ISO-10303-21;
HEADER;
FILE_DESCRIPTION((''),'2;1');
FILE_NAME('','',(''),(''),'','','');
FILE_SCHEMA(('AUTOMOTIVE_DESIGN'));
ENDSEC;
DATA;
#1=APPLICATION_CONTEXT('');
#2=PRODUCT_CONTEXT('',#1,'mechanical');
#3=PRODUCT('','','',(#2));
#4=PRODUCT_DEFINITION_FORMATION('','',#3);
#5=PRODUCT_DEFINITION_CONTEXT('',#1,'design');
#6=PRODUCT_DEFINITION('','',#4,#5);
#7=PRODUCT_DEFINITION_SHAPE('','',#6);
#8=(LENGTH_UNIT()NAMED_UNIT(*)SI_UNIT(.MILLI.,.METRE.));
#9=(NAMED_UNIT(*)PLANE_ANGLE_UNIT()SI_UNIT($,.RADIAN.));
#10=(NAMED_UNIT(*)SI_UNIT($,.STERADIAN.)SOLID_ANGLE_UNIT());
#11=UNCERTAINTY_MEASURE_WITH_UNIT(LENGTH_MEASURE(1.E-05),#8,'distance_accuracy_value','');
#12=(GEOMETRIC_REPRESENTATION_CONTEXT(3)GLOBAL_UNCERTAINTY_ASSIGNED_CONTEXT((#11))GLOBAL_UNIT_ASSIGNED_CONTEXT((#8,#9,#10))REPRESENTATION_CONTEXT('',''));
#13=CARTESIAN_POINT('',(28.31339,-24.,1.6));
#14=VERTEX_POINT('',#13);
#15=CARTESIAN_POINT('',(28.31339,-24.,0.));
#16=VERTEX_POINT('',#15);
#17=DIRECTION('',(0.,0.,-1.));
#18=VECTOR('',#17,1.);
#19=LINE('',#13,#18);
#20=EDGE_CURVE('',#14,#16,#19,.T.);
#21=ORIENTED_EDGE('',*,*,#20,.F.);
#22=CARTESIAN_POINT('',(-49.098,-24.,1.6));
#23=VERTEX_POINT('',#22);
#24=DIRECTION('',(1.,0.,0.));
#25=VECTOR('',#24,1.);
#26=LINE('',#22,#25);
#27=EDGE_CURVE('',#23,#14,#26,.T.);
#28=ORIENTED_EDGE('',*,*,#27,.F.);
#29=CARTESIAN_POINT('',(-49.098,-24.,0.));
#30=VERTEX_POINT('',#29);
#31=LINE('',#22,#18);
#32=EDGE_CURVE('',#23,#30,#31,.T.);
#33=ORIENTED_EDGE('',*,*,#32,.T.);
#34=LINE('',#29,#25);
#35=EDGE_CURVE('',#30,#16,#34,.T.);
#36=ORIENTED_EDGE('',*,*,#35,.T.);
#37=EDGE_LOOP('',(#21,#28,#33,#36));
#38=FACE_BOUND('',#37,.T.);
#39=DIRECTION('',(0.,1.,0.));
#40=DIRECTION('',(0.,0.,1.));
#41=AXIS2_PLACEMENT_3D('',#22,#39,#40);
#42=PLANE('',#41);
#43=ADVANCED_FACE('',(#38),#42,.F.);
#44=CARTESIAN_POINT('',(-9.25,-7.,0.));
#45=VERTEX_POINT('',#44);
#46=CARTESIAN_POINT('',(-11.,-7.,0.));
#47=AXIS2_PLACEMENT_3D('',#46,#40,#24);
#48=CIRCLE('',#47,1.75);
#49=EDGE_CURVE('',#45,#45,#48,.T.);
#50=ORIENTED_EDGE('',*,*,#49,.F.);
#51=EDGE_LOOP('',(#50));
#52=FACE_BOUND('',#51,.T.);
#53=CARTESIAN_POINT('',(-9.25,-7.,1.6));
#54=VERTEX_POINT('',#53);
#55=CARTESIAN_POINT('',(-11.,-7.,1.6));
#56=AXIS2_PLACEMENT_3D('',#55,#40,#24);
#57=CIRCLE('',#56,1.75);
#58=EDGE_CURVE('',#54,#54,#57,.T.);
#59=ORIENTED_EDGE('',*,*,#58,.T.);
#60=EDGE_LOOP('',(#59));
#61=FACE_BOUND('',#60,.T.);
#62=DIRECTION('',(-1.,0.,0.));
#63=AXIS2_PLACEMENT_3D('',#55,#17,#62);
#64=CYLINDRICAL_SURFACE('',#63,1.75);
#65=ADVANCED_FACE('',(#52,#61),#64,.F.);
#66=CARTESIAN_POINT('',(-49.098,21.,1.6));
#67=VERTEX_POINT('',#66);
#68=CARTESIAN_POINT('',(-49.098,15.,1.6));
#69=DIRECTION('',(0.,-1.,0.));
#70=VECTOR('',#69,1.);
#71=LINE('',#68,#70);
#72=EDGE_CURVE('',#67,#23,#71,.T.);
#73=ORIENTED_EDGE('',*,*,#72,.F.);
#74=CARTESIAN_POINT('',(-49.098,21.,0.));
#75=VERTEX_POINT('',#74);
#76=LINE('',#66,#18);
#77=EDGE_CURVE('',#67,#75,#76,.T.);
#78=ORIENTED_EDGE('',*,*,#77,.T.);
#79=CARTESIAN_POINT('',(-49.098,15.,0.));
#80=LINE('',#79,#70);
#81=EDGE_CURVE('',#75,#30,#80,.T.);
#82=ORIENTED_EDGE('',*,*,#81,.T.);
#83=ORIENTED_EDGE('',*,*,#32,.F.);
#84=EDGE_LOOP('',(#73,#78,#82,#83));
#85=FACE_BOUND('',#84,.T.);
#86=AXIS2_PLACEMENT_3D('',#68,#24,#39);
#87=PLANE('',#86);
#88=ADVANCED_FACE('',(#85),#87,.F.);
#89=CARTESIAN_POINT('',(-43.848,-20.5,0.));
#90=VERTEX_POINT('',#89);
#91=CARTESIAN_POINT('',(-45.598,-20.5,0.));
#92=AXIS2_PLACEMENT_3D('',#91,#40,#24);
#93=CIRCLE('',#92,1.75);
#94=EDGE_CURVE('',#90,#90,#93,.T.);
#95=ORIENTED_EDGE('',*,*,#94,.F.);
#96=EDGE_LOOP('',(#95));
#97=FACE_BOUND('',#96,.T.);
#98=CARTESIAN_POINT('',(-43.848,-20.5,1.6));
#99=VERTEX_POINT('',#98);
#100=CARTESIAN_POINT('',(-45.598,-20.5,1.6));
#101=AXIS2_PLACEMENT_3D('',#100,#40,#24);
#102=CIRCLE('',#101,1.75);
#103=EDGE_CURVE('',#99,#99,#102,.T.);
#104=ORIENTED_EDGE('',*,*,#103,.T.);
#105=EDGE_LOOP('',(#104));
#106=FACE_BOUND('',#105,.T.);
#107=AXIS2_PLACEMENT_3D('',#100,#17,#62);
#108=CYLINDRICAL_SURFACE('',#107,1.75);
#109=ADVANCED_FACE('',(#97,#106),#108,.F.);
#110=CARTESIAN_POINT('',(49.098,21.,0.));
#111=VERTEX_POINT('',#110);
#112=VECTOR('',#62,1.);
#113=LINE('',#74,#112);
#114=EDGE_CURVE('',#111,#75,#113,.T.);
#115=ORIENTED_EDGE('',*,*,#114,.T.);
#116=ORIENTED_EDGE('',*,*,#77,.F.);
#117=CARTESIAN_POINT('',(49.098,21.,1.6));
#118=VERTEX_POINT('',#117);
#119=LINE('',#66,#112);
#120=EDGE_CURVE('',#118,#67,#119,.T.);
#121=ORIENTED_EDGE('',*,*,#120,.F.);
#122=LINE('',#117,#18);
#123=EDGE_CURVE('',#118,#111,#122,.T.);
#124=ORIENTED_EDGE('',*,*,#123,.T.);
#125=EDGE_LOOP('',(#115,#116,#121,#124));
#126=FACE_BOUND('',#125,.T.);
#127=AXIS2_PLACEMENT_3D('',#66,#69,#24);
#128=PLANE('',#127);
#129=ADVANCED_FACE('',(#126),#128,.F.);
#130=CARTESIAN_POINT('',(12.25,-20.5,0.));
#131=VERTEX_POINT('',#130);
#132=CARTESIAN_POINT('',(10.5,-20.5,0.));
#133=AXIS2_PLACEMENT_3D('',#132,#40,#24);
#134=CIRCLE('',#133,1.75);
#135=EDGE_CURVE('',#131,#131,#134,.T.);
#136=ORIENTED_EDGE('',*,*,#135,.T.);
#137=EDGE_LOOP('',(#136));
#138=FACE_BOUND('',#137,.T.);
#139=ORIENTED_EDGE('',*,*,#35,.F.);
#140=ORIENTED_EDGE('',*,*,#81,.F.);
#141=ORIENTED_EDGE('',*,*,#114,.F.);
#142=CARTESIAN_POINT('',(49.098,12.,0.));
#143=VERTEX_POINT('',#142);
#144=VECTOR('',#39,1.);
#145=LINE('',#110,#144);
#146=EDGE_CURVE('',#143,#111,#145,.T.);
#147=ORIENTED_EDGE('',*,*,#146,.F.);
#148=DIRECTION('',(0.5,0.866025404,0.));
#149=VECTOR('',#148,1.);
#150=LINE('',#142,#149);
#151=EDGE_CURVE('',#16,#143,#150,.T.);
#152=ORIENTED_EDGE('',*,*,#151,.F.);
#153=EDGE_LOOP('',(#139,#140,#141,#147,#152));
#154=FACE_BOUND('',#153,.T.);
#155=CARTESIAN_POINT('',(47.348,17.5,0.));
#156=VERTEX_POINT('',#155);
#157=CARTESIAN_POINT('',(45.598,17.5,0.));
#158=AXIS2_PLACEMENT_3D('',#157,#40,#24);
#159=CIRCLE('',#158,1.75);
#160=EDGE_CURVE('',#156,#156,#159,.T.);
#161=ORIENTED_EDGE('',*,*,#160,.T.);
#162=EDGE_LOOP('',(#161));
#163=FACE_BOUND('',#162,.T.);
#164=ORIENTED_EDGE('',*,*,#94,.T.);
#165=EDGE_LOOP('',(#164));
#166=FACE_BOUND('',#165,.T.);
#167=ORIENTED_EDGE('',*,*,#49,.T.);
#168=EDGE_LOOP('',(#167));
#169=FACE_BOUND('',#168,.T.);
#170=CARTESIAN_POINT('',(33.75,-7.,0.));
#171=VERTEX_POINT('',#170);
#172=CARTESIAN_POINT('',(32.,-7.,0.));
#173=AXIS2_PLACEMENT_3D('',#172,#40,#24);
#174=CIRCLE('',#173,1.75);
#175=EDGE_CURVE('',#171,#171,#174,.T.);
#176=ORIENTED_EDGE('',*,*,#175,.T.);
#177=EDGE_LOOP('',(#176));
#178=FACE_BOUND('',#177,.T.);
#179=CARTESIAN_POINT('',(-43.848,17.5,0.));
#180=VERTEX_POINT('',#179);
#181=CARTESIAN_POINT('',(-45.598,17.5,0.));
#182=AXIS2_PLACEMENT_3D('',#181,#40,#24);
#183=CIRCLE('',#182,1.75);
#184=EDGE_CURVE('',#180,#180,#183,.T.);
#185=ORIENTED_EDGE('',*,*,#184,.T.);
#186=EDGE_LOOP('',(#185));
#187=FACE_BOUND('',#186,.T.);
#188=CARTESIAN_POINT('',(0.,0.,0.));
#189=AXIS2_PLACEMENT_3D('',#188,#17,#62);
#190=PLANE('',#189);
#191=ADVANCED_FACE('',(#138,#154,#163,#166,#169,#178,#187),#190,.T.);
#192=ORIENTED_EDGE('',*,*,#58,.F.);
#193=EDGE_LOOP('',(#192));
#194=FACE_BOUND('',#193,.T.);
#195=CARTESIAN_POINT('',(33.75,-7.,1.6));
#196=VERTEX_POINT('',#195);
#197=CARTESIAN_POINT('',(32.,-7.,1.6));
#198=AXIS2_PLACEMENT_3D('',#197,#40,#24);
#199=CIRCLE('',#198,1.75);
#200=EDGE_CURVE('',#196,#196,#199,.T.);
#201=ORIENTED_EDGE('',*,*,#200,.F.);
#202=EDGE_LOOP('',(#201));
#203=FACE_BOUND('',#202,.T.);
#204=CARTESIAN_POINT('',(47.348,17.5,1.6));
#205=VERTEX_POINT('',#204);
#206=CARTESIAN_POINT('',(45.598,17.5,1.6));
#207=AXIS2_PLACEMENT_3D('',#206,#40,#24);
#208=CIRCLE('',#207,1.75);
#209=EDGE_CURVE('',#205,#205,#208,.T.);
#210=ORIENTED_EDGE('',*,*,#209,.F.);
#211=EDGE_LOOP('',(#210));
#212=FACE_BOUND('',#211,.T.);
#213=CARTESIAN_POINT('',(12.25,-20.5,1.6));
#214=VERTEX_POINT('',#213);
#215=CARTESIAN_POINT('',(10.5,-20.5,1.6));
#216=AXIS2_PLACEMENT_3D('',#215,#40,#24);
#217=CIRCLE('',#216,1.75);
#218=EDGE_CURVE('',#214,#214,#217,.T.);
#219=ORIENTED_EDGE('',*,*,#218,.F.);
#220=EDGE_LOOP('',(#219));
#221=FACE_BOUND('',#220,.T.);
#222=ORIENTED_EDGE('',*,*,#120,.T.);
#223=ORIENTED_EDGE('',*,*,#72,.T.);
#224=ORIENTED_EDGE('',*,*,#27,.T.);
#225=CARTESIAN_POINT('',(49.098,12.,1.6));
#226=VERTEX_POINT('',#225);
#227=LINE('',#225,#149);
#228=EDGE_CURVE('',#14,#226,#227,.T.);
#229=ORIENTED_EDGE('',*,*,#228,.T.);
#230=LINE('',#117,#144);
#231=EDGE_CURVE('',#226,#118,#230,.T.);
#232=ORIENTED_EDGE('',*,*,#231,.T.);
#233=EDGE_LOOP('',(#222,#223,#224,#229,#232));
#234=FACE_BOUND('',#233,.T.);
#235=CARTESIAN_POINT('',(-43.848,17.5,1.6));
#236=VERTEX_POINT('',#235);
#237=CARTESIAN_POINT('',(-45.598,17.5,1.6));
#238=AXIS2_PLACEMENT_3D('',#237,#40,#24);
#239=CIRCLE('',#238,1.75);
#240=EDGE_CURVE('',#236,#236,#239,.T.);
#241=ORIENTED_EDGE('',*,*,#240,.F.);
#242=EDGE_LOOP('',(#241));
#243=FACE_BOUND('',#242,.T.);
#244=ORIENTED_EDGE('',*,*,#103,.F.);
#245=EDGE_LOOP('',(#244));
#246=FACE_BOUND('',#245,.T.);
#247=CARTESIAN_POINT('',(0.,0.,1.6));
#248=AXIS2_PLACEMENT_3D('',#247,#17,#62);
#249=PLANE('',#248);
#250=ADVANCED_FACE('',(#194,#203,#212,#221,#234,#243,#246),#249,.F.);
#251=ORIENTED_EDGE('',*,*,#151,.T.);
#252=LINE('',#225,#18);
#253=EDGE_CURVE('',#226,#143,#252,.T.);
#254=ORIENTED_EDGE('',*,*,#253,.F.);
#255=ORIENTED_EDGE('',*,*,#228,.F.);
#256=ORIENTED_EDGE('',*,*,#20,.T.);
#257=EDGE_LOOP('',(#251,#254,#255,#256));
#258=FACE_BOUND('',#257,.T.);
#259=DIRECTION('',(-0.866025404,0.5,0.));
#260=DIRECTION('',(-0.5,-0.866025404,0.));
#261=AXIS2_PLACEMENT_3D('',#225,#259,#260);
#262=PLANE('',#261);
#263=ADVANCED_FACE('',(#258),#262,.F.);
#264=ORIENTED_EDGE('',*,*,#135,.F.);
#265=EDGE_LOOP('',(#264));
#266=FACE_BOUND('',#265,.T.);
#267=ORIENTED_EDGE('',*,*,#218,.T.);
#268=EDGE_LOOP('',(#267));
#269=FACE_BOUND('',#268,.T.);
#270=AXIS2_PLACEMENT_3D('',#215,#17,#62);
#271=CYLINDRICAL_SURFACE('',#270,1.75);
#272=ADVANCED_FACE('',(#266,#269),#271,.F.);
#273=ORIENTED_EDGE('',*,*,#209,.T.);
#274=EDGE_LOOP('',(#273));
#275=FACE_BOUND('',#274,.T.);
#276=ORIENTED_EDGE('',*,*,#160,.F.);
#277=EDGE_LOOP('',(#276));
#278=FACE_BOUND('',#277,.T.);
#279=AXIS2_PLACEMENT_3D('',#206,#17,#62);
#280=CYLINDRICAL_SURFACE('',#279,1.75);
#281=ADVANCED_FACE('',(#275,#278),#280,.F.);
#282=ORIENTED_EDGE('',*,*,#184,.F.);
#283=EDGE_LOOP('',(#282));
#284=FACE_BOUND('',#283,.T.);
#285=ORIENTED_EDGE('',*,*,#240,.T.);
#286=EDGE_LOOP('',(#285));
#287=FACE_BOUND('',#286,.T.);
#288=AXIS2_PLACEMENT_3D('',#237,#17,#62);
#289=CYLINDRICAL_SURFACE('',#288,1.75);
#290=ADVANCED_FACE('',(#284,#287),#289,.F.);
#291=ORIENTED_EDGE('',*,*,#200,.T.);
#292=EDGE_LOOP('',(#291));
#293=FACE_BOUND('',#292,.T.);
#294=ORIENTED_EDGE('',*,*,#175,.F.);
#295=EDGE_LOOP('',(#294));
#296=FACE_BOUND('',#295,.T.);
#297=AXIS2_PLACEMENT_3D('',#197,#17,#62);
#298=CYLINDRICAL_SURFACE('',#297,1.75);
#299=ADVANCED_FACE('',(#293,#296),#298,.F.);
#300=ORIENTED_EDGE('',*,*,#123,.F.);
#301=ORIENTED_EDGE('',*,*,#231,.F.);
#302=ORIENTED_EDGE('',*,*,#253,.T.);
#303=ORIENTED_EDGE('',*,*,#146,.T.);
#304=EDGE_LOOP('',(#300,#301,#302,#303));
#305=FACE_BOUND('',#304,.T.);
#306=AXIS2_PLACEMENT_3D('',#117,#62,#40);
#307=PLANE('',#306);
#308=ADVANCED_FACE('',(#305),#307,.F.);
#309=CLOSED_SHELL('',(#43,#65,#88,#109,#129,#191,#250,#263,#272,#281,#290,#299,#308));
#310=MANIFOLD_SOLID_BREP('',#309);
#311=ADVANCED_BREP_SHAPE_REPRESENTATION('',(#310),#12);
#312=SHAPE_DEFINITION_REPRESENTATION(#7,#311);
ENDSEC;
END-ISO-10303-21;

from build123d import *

# Parameters (mm, degrees)
PCB_R               = 1.75
BOSS_EXTRUDE1_DEPTH = 1.6


with BuildPart() as part:
    # PCB (on Front Plane) → Boss-Extrude1 (new body)
    with BuildSketch(Plane.XY):
        Polygon((-49.098, 15), (-49.098, -24), (28.313390309, -24), (49.098, 12), (49.098, 21), (-49.098, 21), align=None)
        with Locations((45.598, 17.5)):
            Circle(PCB_R, mode=Mode.SUBTRACT)
        with Locations((10.5, -20.5)):
            Circle(PCB_R, mode=Mode.SUBTRACT)
        with Locations((32, -7)):
            Circle(PCB_R, mode=Mode.SUBTRACT)
        with Locations((-11, -7)):
            Circle(PCB_R, mode=Mode.SUBTRACT)
        with Locations((-45.598, 17.5)):
            Circle(PCB_R, mode=Mode.SUBTRACT)
        with Locations((-45.598, -20.5)):
            Circle(PCB_R, mode=Mode.SUBTRACT)
    extrude(amount=BOSS_EXTRUDE1_DEPTH)


solid = part.part
